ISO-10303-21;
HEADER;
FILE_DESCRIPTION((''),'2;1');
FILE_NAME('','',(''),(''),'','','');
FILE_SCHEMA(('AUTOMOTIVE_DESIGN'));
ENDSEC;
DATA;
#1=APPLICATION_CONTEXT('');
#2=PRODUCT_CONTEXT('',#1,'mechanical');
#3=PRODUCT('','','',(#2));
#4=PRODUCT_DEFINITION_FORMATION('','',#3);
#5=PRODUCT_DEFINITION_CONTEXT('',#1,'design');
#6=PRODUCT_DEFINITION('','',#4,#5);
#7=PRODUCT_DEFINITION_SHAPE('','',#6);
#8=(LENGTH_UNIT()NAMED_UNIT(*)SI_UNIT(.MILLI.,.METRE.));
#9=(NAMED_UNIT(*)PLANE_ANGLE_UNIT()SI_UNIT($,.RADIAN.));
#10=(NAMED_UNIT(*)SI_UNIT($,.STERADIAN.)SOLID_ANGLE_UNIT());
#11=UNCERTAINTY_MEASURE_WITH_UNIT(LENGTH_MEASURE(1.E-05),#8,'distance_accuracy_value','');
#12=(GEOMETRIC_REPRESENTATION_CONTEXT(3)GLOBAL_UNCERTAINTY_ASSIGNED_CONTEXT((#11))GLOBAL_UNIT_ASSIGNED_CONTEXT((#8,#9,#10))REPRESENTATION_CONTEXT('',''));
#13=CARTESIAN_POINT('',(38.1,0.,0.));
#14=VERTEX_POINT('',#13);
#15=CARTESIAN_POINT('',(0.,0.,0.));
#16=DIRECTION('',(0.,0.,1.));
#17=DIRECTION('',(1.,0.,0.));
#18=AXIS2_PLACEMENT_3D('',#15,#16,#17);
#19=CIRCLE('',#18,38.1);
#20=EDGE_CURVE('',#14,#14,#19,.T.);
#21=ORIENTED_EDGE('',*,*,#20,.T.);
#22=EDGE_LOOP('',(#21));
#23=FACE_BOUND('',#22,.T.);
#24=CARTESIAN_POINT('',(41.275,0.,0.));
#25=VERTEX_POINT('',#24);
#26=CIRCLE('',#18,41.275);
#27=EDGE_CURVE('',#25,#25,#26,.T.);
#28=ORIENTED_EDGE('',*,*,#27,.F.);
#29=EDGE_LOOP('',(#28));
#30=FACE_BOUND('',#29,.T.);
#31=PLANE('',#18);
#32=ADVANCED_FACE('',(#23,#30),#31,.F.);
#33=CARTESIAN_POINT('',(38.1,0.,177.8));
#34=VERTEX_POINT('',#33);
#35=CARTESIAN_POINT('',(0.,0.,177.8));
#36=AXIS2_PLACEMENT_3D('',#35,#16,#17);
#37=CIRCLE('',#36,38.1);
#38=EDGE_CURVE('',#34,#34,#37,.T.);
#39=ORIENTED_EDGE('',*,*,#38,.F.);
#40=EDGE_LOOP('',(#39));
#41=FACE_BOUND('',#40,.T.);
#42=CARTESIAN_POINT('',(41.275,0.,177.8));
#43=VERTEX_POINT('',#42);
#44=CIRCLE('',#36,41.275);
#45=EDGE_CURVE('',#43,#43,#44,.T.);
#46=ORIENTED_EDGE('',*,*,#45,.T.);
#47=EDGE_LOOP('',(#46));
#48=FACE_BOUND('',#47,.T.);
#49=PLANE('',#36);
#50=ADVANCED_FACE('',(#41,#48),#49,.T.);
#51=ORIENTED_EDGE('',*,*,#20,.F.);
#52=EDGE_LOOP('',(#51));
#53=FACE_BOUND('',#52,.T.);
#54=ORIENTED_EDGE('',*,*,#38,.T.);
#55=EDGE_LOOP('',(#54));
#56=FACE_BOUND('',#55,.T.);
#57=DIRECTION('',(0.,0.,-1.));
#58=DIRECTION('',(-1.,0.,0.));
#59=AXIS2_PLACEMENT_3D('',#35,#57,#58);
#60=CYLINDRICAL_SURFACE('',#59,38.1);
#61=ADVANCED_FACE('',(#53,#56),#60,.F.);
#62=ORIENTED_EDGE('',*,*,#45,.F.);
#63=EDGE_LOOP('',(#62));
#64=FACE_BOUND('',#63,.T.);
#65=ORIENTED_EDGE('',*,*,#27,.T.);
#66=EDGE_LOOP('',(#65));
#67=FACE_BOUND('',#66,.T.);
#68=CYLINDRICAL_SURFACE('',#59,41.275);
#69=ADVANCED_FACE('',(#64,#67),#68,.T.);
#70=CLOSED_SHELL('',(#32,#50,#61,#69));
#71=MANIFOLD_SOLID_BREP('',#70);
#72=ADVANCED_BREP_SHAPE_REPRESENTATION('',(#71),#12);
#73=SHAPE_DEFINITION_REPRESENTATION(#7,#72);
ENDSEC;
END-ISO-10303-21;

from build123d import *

# Parameters (mm, degrees)
SKETCH1_R           = 41.275
SKETCH1_R_2         = 38.1
BOSS_EXTRUDE1_DEPTH = 177.8


with BuildPart() as part:
    # Sketch1 → Boss-Extrude1 (new body)
    with BuildSketch(Plane.XY):
        Circle(SKETCH1_R)
        Circle(SKETCH1_R_2, mode=Mode.SUBTRACT)
    extrude(amount=BOSS_EXTRUDE1_DEPTH)


solid = part.part
